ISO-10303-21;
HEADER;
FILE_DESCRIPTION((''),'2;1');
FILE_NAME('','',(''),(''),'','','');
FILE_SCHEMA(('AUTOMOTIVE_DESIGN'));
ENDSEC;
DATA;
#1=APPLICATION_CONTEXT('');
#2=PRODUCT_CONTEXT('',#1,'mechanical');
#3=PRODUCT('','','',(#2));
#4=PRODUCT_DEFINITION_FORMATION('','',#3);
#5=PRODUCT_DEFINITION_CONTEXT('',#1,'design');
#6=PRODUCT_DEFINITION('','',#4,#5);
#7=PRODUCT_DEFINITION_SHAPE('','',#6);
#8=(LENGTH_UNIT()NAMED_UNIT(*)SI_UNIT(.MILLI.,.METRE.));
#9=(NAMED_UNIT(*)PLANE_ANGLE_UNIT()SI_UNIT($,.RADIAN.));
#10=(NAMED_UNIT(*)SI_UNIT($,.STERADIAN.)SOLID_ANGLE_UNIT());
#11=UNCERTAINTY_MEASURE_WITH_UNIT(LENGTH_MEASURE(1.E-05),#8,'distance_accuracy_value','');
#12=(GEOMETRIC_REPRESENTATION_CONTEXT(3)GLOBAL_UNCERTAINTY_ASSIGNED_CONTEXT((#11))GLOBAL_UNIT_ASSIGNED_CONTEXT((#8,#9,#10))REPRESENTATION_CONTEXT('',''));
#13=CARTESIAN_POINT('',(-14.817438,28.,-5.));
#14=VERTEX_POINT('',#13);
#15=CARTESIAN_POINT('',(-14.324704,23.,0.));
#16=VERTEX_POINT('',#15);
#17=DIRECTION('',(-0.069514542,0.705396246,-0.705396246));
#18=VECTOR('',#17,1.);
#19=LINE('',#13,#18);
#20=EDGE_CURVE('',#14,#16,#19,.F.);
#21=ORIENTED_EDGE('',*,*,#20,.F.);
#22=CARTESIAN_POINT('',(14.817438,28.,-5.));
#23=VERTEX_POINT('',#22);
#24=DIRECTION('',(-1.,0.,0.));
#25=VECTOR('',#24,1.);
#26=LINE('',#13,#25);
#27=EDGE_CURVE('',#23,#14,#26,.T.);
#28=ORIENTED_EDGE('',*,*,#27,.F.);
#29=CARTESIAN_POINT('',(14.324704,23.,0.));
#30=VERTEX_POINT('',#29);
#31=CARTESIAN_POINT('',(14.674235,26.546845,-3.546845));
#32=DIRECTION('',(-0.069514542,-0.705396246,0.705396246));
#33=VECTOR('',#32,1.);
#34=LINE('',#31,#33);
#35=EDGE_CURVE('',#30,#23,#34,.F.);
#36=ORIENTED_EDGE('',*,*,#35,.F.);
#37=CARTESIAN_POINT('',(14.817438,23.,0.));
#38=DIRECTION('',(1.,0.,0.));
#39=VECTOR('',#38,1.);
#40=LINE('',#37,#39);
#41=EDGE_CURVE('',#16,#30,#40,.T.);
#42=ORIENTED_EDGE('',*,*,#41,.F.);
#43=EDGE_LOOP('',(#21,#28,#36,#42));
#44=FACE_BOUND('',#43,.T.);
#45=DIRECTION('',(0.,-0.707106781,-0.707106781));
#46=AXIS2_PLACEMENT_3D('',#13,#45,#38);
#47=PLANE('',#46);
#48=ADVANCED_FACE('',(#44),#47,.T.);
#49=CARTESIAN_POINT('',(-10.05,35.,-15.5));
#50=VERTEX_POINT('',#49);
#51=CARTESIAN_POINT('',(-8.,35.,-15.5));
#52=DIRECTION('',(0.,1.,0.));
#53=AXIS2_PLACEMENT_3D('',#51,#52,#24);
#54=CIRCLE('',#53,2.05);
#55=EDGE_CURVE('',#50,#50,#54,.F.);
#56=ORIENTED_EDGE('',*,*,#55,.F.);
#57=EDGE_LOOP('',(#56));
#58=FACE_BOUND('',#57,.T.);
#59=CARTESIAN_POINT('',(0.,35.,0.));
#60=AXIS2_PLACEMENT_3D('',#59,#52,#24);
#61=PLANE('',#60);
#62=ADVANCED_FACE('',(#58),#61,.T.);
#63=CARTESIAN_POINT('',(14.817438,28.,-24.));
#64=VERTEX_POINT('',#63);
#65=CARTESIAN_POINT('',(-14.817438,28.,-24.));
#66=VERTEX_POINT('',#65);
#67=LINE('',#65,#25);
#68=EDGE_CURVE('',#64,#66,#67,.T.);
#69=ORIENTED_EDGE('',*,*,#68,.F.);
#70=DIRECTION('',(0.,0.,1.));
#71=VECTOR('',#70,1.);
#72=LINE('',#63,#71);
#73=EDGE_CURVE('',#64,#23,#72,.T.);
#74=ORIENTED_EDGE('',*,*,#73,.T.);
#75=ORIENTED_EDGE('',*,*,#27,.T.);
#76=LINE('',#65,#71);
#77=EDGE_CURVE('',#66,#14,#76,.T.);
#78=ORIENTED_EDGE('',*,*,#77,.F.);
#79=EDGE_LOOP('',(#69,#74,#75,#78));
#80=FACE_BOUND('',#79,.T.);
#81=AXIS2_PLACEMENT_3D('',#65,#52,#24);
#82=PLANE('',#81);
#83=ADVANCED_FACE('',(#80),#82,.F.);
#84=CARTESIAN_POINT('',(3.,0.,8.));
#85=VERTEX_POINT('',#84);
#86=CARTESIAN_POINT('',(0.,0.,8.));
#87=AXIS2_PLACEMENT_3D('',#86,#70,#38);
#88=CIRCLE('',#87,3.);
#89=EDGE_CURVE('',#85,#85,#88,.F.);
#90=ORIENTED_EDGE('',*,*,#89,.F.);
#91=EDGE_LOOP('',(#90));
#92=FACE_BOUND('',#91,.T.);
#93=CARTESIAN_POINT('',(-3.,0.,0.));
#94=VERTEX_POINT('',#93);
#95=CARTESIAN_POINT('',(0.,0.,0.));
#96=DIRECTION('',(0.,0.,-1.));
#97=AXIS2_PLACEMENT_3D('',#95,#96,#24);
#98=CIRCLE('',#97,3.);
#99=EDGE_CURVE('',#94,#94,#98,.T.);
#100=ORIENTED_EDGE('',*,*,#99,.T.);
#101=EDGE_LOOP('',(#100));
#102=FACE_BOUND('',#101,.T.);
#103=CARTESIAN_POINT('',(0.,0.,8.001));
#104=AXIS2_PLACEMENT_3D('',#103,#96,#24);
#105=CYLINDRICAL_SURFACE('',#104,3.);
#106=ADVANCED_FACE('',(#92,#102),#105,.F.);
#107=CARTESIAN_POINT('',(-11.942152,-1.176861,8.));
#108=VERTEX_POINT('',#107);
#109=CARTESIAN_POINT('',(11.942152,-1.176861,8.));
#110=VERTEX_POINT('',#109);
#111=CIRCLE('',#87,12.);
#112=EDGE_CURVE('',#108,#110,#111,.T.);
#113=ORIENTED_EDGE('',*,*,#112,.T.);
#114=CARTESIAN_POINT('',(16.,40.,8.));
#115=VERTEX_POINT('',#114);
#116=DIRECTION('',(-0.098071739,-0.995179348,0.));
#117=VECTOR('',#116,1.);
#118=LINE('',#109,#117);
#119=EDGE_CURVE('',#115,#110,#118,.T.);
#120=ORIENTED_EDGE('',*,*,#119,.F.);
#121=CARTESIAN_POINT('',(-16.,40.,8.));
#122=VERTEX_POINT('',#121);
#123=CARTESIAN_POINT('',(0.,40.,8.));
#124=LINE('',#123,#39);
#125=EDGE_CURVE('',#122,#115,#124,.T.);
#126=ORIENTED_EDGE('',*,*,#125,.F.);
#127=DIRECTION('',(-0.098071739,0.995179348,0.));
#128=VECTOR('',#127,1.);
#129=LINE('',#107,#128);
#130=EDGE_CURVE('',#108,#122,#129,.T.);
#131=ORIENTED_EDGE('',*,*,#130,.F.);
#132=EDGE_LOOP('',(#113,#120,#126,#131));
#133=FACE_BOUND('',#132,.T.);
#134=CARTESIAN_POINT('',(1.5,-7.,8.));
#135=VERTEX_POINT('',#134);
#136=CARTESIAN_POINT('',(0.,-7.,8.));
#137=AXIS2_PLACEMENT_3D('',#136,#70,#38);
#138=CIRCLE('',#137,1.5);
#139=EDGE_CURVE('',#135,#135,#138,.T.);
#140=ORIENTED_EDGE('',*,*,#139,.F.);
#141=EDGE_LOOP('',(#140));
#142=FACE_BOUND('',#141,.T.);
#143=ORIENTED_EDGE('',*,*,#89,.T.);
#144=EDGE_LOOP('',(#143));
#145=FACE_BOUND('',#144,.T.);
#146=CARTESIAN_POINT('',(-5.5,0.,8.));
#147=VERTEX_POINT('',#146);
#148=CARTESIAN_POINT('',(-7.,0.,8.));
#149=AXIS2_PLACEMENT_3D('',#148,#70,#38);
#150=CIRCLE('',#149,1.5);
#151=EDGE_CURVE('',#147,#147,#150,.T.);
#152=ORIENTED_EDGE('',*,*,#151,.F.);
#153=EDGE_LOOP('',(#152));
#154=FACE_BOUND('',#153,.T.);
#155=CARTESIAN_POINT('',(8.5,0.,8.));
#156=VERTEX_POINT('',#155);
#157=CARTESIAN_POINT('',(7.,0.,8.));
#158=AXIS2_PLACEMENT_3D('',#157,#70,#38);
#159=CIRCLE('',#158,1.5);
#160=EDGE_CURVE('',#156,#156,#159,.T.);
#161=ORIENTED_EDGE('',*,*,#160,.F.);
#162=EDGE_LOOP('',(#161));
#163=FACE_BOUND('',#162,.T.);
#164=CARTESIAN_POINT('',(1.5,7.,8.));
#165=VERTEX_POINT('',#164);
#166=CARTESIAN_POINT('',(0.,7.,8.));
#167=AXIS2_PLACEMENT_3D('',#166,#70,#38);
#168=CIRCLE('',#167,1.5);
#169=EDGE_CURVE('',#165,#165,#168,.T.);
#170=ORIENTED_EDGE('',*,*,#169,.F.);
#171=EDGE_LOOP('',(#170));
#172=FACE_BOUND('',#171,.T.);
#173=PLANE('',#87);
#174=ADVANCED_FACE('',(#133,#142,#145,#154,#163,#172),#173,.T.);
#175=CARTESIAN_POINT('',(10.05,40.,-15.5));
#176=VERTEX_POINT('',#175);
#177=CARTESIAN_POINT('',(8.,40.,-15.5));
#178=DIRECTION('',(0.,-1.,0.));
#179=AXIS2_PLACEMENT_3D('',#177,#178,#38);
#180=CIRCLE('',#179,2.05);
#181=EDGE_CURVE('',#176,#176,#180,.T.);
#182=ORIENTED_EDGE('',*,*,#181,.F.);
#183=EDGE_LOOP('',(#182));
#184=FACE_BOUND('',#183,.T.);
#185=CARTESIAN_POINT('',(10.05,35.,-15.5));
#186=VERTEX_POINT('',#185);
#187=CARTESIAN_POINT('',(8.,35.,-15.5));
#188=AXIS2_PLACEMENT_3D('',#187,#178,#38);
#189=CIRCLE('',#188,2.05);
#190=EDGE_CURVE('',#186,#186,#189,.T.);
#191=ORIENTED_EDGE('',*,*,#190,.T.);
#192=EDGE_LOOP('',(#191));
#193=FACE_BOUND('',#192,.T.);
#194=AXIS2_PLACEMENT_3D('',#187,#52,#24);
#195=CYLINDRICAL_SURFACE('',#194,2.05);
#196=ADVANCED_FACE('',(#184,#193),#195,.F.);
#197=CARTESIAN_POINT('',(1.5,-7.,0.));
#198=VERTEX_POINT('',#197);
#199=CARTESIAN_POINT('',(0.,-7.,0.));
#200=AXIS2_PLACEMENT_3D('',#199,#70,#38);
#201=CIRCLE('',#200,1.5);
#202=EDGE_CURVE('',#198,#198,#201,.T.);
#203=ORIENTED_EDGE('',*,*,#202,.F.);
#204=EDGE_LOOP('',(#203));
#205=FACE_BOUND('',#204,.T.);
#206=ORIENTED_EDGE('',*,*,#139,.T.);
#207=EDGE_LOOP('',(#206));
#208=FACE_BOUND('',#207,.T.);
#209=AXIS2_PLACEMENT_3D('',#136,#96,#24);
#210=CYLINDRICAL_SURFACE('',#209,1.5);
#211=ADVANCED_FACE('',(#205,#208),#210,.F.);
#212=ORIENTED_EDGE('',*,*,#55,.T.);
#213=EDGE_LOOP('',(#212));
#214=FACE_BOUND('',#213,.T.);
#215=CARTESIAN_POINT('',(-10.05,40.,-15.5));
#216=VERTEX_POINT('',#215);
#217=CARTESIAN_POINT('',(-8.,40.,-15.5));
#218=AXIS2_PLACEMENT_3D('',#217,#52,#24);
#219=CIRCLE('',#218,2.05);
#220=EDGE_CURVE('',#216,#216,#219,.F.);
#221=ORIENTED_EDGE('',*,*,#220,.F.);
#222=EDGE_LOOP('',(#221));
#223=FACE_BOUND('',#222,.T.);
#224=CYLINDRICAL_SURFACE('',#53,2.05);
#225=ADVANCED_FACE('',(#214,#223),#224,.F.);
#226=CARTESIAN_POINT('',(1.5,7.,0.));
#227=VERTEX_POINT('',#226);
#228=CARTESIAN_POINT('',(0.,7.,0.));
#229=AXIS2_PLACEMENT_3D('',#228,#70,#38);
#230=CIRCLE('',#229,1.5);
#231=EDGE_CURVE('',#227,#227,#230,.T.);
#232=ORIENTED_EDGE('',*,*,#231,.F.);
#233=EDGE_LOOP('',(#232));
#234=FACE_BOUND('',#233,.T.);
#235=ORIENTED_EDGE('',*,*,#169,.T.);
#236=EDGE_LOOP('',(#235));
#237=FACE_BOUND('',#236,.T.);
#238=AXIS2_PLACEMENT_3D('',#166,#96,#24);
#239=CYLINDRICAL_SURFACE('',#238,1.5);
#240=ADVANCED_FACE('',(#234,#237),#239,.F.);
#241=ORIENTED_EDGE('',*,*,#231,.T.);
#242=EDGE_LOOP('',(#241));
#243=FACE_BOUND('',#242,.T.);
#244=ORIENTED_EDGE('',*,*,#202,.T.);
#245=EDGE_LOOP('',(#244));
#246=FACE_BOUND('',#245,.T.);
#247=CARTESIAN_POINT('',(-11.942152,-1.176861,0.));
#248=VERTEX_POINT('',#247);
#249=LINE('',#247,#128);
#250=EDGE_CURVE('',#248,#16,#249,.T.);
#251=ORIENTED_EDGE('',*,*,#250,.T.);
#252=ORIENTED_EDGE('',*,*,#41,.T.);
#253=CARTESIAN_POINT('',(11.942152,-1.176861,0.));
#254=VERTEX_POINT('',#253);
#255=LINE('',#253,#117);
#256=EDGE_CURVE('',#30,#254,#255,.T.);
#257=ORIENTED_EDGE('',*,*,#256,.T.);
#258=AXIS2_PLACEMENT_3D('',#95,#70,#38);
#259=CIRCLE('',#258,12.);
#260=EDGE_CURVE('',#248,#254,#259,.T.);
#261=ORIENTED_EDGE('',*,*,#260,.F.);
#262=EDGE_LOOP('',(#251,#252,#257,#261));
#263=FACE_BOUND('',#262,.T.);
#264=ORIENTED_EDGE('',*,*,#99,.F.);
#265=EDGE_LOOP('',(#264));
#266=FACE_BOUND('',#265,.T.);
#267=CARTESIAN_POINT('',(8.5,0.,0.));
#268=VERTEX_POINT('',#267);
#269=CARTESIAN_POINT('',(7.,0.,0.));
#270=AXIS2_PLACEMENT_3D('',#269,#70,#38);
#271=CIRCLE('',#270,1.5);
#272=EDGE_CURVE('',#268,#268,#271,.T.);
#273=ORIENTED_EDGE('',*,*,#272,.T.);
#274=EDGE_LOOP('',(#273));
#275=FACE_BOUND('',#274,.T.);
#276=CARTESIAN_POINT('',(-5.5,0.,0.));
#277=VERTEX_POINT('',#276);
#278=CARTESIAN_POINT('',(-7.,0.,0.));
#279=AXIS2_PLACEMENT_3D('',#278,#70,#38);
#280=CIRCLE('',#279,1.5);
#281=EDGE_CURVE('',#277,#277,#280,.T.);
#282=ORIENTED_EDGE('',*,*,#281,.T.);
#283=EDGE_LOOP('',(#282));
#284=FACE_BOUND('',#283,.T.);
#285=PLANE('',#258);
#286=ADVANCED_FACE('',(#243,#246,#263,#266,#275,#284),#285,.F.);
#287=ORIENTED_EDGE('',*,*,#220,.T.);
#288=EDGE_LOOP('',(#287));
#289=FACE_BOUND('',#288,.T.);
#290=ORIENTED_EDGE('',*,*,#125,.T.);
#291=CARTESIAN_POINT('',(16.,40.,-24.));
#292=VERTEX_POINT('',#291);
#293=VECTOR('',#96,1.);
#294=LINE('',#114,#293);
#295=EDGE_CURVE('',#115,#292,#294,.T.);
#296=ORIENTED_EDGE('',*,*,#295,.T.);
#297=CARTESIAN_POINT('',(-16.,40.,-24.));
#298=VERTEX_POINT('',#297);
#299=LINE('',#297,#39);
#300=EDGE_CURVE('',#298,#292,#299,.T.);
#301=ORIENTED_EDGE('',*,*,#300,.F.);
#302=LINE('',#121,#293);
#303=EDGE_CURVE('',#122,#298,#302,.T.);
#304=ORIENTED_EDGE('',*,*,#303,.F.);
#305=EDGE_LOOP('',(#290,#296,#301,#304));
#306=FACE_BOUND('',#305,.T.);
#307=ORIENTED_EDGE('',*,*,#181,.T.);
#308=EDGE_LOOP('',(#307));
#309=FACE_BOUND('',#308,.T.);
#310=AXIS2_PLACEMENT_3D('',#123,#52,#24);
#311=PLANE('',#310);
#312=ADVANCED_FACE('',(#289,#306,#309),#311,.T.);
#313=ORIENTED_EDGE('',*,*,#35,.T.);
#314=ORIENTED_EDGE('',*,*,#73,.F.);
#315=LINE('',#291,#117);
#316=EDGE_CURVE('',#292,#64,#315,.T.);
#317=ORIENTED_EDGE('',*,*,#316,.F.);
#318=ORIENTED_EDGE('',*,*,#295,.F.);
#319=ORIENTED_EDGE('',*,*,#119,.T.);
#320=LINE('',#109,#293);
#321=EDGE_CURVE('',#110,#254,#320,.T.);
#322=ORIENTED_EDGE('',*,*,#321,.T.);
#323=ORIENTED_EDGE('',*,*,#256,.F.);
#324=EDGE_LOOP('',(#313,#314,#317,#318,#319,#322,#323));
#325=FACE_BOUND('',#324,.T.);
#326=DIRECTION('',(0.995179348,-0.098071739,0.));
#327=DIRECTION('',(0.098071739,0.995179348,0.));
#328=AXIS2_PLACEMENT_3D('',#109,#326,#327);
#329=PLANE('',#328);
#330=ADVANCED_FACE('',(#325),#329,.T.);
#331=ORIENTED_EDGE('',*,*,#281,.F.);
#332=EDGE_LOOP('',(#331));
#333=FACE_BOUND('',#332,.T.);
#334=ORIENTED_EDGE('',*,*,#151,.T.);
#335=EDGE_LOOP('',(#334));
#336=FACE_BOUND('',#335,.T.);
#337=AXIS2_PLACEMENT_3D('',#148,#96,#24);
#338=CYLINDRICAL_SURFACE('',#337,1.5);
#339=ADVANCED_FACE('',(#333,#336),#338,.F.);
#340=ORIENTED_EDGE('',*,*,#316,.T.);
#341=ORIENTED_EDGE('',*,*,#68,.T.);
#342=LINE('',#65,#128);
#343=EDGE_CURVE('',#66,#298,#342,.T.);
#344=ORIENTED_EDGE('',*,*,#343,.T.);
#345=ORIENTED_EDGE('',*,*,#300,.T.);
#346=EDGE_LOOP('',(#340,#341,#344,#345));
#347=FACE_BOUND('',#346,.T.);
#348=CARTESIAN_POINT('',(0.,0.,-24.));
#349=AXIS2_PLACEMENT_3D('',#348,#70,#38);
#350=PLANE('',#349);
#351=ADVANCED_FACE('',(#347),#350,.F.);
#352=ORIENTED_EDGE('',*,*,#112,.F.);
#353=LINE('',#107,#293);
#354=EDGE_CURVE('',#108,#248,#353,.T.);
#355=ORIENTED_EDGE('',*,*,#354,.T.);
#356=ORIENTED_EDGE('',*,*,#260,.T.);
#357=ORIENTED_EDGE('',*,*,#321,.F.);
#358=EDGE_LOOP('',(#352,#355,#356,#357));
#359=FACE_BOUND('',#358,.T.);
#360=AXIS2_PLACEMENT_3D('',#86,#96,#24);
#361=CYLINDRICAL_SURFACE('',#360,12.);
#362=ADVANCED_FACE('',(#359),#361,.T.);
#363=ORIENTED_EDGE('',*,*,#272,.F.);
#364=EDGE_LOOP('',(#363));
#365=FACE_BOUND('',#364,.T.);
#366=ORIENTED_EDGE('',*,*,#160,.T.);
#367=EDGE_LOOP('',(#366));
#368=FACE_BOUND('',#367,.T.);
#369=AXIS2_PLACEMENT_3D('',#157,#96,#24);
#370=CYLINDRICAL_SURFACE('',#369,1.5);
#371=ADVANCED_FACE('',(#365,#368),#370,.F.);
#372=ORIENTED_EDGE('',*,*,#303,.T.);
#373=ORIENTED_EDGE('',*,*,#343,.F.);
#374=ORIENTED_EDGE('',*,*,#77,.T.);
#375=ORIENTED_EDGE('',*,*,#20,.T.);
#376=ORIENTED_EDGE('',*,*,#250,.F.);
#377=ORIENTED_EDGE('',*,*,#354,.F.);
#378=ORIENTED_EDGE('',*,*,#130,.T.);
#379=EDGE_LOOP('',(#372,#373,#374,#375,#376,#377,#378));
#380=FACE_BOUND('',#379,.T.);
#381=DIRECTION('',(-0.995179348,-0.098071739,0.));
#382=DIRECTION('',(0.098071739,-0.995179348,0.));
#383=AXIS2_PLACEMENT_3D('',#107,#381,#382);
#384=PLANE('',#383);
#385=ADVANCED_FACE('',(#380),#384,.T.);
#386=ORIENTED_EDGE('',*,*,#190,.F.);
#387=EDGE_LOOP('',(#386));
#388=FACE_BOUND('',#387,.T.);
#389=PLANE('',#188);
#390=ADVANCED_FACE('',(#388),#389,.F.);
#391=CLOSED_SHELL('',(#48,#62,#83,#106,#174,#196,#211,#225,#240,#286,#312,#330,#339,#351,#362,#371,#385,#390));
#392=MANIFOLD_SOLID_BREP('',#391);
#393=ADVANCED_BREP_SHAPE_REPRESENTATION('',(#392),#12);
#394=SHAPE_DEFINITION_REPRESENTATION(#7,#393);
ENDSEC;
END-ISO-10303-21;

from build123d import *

# Parameters (mm, degrees)
SKETCH1_R           = 1.5
BOSS_EXTRUDE1_DEPTH = 8
BOSS_EXTRUDE2_DEPTH = 24
CHAMFER1_SIZE       = 5
CUT_EXTRUDE2_REACH  = 10
SKETCH5_R           = 3
SKETCH6_R           = 2.05
CUT_EXTRUDE6_DEPTH  = 5


with BuildPart() as part:
    # Sketch1 → Boss-Extrude1 (new body)
    with BuildSketch(Plane.XY):
        with BuildLine():
            Line((-16, 40), (-11.942152172, -1.176860869))
            ThreePointArc((-11.942152172, -1.176860869), (0, -12), (11.942152172, -1.176860869))
            Line((11.942152172, -1.176860869), (16, 40))
            Line((16, 40), (-16, 40))
        make_face()
        with Locations((7, 0)):
            Circle(SKETCH1_R, mode=Mode.SUBTRACT)
        with Locations((0, 7)):
            Circle(SKETCH1_R, mode=Mode.SUBTRACT)
        with Locations((0, -7)):
            Circle(SKETCH1_R, mode=Mode.SUBTRACT)
        with Locations((-7, 0)):
            Circle(SKETCH1_R, mode=Mode.SUBTRACT)
    extrude(amount=BOSS_EXTRUDE1_DEPTH)

    # Sketch3 → Boss-Extrude2 (add)
    with BuildSketch(Plane(origin=(0, 0, 0), x_dir=(-1, 0, 0), z_dir=(0, 0, -1))):
        Polygon((14.817438413, 28), (-14.817438413, 28), (-16, 40), (16, 40), align=None)
    extrude(amount=BOSS_EXTRUDE2_DEPTH)

    # Chamfer1
    chamfer1_edges = [part.edges().sort_by_distance(p)[0] for p in [
        (0, 28, 0),
    ]]
    chamfer(chamfer1_edges, length=CHAMFER1_SIZE)

    # Sketch5 → Cut-Extrude2 (cut, up to next)
    with BuildSketch(Plane(origin=(0, 0, 0), x_dir=(-1, 0, 0), z_dir=(0, 0, -1)), mode=Mode.PRIVATE) as cut_extrude2_sk1:
        Circle(SKETCH5_R)
    cut_extrude2_tool1 = extrude(cut_extrude2_sk1.sketch, amount=-CUT_EXTRUDE2_REACH, mode=Mode.PRIVATE) & part.part
    add(cut_extrude2_tool1.solids().sort_by_distance((0, 0, 0))[0], mode=Mode.SUBTRACT)

    # Sketch6 → Cut-Extrude6 (cut)
    with BuildSketch(Plane.XZ.offset(-40)):
        with Locations((-8, -15.5)):
            Circle(SKETCH6_R)
        with Locations((8, -15.5)):
            Circle(SKETCH6_R)
    extrude(amount=CUT_EXTRUDE6_DEPTH, mode=Mode.SUBTRACT)


solid = part.part
